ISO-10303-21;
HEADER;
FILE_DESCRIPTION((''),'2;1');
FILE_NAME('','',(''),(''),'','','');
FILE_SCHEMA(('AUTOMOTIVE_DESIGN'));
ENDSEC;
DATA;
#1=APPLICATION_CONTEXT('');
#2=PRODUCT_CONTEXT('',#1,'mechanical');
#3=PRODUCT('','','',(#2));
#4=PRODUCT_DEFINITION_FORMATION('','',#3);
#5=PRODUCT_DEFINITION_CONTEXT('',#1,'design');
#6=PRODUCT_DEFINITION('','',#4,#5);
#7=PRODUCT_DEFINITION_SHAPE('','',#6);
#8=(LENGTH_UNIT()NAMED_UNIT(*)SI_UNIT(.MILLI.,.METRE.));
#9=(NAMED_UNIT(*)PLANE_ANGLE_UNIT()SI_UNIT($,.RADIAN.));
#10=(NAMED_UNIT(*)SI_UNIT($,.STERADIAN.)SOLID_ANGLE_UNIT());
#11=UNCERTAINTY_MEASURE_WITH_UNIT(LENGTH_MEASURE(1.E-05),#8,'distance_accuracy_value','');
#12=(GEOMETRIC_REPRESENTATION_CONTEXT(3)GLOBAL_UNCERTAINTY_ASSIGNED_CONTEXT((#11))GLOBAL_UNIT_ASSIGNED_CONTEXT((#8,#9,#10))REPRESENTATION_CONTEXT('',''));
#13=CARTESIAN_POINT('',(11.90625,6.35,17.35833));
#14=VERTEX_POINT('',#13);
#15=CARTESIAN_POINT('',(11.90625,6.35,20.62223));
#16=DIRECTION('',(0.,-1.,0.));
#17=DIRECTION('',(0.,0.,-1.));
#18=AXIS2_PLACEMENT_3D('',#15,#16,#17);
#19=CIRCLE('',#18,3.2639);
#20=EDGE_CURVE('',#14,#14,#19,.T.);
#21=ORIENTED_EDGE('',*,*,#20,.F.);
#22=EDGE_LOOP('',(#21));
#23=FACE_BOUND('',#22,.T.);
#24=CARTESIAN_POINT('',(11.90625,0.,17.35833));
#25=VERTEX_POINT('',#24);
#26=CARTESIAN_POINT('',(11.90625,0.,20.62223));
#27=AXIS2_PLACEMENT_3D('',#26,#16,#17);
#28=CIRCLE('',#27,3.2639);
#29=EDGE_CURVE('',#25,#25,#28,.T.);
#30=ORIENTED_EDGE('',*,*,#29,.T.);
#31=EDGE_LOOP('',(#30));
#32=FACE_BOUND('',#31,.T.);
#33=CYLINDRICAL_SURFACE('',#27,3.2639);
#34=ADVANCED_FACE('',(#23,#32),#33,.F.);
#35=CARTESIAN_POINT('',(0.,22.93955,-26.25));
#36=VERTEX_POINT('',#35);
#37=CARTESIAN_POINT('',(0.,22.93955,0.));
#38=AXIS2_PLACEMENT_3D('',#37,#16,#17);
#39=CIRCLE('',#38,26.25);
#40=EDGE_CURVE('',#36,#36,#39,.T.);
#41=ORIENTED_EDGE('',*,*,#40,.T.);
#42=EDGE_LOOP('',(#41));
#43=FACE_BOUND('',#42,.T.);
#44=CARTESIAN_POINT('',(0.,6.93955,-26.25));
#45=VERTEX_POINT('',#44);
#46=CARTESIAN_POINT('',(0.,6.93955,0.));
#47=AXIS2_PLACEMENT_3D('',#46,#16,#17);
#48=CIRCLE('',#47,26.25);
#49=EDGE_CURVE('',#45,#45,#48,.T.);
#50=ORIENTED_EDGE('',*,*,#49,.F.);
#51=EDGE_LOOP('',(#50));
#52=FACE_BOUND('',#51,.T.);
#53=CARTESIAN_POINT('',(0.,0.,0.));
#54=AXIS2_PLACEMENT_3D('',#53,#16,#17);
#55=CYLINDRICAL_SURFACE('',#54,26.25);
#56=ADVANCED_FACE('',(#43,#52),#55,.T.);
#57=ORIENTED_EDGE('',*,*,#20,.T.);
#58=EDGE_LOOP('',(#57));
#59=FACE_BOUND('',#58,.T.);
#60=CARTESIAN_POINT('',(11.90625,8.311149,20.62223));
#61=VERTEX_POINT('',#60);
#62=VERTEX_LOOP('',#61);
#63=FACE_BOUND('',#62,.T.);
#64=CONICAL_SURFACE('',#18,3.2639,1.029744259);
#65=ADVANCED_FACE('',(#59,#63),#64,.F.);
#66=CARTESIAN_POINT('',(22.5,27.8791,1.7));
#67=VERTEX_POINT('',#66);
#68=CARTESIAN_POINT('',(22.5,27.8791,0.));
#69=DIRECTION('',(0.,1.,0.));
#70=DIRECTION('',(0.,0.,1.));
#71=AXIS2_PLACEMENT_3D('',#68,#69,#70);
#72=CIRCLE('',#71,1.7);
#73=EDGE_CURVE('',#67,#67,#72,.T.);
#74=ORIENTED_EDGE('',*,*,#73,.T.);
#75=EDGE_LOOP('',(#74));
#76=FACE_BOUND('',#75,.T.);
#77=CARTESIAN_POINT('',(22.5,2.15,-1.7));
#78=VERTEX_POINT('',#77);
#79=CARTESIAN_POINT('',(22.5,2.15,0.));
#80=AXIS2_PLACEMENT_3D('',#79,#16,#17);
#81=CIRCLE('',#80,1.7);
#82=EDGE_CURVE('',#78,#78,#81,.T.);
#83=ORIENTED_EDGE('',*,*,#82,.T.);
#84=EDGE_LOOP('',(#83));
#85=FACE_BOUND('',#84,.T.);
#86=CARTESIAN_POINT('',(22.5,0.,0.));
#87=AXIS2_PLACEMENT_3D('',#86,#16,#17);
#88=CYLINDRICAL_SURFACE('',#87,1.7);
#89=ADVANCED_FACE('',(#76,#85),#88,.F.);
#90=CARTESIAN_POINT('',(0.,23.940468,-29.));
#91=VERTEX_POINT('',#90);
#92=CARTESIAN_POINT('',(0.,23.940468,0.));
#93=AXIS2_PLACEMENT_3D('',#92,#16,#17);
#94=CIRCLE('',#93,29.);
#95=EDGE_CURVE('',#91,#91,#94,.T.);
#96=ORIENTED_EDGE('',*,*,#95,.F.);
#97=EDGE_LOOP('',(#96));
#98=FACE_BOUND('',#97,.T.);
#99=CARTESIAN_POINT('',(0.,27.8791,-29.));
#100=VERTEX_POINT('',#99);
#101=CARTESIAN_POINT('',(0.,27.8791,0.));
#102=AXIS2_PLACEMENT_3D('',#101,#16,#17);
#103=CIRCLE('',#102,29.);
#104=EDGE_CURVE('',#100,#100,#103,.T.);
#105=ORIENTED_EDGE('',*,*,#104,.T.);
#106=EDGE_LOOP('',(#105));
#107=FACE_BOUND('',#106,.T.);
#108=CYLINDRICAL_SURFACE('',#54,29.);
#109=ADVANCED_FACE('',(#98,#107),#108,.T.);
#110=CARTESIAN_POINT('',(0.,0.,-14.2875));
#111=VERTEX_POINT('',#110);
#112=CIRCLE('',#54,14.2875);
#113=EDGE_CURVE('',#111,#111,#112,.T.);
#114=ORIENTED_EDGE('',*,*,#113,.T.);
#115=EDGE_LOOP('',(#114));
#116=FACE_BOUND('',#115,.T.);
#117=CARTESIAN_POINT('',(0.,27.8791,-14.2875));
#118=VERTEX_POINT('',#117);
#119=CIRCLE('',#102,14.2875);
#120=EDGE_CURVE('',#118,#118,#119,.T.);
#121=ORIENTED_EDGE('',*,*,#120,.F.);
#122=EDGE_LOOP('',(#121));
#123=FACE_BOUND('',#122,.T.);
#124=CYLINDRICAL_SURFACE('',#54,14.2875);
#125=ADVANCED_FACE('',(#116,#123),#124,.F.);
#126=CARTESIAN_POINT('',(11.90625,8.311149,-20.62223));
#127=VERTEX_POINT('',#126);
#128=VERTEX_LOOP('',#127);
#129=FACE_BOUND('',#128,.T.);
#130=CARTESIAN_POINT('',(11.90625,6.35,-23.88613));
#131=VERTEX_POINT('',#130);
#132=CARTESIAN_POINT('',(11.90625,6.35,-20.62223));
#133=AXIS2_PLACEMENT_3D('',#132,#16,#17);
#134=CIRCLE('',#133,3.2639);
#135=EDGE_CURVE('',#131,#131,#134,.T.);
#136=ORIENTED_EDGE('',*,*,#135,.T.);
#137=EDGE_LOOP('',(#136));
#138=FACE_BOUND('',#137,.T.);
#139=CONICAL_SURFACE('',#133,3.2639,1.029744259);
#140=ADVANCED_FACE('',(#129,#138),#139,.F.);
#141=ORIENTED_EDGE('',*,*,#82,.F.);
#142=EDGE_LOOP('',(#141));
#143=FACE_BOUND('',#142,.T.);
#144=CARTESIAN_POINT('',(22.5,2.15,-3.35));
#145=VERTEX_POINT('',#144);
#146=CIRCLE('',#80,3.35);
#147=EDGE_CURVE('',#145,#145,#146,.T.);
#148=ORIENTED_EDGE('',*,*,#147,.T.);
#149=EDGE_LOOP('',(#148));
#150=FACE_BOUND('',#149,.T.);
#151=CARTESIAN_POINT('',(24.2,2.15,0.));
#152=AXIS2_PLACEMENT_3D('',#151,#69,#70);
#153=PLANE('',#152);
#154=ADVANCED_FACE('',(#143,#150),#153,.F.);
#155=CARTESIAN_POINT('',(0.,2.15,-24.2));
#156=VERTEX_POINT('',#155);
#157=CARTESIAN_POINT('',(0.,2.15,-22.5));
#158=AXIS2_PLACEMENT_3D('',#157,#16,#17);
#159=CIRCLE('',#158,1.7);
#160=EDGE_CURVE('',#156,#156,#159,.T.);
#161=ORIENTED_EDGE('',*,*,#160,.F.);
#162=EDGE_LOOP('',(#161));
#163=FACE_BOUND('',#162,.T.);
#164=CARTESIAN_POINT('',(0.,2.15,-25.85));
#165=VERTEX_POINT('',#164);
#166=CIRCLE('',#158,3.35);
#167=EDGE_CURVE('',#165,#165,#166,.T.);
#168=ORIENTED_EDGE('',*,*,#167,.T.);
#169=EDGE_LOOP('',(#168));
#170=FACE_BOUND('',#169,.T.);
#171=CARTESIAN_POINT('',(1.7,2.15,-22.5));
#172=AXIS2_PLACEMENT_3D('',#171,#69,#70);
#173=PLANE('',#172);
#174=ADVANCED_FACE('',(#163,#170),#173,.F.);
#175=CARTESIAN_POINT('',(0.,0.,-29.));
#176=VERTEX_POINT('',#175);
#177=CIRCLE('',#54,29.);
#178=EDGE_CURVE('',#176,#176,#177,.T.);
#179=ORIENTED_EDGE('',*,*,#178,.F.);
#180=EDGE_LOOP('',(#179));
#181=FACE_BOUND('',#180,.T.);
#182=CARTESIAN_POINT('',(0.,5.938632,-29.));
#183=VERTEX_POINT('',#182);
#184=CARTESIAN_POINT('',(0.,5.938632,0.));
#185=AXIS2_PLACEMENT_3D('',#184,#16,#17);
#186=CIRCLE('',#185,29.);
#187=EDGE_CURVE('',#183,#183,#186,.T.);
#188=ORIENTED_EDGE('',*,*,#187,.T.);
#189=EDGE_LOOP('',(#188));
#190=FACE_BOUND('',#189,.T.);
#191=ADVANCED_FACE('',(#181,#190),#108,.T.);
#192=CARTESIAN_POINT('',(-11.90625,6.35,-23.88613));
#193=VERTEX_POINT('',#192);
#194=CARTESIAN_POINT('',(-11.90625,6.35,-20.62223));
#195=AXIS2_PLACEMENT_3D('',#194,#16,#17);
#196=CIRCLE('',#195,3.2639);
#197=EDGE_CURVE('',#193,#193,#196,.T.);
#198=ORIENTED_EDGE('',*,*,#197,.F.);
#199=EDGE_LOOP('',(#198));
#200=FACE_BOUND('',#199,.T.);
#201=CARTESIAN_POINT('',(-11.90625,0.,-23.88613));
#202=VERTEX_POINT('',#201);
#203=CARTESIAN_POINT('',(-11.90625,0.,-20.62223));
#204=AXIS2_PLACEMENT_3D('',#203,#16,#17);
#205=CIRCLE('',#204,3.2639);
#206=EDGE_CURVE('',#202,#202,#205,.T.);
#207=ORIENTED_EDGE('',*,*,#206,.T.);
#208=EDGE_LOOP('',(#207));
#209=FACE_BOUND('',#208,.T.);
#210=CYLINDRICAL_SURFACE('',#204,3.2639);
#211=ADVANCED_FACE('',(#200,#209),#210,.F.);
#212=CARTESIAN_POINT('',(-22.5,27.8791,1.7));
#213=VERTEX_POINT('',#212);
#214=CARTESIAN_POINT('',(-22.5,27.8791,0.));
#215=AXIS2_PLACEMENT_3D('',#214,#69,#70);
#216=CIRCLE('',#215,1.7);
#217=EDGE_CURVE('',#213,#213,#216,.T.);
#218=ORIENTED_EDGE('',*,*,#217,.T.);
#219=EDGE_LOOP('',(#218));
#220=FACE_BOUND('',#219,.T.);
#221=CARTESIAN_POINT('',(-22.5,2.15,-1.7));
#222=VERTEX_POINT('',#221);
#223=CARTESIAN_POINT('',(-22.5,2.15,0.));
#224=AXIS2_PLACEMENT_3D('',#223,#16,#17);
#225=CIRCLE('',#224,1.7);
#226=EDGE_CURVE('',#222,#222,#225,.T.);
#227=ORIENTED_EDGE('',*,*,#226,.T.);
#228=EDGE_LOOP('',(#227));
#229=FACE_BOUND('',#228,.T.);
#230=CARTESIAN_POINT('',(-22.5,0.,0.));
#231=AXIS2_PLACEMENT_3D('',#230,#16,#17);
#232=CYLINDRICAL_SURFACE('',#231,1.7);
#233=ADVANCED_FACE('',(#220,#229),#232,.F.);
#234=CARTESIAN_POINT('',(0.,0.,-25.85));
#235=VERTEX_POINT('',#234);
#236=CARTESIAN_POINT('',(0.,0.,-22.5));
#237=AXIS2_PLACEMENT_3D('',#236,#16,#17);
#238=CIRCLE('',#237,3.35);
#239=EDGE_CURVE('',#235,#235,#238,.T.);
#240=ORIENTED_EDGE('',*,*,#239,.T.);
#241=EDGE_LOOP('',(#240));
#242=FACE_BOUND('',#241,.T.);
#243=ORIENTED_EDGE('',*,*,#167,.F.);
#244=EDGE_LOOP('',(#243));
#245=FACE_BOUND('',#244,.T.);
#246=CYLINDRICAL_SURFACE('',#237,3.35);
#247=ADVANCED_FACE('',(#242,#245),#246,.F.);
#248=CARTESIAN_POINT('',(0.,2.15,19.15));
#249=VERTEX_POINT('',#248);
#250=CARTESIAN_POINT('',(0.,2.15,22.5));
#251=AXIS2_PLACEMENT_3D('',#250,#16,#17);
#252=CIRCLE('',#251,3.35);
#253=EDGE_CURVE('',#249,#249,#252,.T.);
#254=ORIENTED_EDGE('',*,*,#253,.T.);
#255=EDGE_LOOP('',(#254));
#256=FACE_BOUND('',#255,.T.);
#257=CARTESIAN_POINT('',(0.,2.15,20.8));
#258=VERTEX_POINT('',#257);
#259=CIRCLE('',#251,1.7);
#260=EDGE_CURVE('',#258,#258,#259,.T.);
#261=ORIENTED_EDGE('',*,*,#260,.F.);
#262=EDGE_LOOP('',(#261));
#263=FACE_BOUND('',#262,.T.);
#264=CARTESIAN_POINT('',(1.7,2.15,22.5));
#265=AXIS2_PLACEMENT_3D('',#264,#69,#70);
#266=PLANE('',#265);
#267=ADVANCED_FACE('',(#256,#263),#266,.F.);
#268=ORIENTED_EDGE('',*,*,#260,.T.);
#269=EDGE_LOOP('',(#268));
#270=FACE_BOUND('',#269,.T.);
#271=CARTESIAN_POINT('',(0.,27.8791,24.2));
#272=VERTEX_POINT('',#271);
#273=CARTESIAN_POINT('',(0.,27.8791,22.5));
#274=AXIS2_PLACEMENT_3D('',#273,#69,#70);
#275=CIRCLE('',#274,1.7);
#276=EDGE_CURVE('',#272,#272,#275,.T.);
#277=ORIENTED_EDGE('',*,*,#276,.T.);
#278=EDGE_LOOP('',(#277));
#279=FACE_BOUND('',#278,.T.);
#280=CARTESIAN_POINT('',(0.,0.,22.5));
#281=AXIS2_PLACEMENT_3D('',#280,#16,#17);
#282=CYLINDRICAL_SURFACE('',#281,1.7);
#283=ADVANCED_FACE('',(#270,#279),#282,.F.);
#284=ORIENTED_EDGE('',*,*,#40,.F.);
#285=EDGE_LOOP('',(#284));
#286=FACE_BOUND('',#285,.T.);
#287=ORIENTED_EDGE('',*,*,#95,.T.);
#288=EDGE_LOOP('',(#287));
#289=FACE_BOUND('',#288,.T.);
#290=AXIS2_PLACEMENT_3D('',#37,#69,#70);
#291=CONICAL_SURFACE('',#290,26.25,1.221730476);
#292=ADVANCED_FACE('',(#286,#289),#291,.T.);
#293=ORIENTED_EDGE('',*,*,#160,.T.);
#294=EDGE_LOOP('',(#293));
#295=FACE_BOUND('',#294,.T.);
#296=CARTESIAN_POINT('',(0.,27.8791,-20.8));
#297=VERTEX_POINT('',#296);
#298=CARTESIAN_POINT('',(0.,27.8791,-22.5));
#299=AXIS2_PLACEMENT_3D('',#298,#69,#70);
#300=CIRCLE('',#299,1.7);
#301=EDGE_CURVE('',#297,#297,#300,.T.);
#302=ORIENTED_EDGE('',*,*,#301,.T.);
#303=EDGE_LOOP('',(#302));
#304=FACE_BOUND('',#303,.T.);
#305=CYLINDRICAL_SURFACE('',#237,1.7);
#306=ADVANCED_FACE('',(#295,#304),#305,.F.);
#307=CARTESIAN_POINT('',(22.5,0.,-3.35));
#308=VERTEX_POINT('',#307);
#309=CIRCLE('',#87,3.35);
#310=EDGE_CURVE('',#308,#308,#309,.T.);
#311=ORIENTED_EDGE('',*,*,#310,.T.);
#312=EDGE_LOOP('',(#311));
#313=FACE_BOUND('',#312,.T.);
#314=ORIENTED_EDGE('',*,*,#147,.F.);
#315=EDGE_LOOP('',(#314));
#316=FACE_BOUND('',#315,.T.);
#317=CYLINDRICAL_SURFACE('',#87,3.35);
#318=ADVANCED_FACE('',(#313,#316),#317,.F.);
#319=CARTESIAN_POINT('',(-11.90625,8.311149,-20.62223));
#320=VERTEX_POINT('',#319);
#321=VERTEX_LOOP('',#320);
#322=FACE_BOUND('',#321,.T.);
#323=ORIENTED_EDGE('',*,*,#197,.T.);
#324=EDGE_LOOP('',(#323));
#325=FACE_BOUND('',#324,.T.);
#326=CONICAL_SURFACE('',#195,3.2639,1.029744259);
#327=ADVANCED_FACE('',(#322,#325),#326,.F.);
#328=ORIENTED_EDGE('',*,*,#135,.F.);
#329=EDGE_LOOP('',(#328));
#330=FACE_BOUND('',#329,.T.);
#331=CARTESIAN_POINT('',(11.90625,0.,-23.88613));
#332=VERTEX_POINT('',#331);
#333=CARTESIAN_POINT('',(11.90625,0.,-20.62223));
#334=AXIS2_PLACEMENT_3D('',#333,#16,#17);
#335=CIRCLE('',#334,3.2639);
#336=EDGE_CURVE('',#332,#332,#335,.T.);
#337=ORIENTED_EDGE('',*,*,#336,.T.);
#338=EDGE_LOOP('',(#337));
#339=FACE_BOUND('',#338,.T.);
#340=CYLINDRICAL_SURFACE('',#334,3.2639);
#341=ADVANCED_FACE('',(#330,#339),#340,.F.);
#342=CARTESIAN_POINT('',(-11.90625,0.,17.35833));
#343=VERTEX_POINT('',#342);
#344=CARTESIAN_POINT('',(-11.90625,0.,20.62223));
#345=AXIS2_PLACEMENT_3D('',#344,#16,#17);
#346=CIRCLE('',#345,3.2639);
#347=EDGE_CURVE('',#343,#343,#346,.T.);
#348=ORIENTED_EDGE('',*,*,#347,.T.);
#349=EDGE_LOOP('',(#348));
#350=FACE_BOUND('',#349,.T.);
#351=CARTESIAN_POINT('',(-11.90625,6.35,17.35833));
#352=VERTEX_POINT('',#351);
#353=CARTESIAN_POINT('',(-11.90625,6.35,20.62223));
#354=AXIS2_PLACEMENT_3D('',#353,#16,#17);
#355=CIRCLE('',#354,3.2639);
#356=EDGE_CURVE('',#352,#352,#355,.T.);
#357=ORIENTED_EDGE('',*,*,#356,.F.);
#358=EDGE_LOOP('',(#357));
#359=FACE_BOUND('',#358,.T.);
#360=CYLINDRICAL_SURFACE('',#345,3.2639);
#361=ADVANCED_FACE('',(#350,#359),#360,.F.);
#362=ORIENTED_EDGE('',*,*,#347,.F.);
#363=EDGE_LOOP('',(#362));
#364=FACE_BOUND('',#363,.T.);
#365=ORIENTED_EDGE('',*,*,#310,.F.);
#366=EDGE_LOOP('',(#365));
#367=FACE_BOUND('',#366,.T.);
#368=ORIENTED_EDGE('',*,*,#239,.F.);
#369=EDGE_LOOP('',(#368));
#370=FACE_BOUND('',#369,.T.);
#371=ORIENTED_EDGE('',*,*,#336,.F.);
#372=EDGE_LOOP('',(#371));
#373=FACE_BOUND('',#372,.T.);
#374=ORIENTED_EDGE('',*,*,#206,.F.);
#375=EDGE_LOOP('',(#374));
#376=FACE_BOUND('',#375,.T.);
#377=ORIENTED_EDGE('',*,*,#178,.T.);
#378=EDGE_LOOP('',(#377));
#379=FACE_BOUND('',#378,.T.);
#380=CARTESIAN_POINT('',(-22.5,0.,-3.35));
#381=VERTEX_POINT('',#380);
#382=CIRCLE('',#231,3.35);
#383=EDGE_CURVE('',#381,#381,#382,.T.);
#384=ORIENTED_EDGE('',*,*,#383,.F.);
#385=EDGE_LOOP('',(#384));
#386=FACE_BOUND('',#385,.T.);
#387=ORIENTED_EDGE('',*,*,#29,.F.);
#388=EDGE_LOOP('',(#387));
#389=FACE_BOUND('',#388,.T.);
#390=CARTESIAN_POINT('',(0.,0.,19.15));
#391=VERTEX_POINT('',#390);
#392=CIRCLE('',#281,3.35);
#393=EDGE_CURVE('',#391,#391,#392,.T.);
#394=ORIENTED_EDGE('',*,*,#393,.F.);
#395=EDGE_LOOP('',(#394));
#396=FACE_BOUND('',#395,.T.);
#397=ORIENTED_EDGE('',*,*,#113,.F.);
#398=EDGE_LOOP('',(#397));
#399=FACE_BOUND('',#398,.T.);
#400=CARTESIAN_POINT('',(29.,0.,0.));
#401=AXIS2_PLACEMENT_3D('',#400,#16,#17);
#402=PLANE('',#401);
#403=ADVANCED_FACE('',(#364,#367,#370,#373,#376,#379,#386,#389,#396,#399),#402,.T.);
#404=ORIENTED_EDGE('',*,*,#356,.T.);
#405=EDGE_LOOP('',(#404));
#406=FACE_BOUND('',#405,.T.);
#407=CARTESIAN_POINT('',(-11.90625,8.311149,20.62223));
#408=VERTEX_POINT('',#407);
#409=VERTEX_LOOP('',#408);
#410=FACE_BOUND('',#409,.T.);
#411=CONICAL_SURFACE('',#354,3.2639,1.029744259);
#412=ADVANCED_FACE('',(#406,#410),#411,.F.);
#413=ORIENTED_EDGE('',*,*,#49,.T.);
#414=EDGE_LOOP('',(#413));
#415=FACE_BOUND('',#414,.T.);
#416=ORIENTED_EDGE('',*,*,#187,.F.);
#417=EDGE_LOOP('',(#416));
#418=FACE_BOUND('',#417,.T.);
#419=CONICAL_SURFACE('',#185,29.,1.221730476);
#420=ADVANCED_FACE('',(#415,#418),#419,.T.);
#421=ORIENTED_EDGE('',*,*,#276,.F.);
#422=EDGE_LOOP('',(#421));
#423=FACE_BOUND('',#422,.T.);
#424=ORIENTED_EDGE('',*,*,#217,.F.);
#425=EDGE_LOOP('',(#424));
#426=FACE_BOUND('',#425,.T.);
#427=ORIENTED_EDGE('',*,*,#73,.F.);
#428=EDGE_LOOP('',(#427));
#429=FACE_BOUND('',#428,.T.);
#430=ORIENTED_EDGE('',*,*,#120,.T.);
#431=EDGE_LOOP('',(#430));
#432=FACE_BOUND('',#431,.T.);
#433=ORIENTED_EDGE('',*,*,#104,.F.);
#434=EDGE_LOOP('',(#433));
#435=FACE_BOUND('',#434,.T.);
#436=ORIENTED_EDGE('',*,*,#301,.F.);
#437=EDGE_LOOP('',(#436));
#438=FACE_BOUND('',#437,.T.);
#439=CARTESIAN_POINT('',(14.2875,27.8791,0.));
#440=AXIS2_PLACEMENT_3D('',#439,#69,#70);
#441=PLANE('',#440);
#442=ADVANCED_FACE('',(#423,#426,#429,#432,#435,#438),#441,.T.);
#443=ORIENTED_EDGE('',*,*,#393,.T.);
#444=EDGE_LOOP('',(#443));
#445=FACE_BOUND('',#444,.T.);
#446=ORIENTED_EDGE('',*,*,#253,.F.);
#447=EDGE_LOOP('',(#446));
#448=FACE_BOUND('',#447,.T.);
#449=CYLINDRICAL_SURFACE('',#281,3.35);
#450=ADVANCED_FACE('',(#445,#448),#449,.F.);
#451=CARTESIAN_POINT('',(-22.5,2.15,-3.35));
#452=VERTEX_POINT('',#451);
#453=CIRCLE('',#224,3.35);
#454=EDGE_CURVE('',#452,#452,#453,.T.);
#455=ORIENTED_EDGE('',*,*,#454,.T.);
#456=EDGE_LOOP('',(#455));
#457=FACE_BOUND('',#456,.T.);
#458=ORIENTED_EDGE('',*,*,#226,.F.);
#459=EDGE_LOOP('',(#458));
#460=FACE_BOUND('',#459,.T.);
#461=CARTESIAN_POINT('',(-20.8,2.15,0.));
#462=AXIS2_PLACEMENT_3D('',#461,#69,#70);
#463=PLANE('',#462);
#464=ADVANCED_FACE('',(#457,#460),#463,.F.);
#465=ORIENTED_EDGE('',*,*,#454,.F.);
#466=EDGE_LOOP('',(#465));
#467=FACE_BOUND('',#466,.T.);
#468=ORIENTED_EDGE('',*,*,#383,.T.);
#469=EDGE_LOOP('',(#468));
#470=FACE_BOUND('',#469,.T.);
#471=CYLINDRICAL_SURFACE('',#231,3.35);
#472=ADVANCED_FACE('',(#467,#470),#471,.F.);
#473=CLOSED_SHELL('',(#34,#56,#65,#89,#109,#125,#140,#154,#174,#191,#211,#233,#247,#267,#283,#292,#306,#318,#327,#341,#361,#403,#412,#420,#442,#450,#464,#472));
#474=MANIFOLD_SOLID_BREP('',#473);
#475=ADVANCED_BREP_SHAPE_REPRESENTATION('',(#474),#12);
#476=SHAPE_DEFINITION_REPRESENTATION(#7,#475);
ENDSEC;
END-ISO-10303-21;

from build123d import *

# Parameters (mm, degrees)
CBORE_FOR_M3_SBHCS1_D           = 3.4
CBORE_FOR_M3_SBHCS1_CBORE_D     = 6.7
CBORE_FOR_M3_SBHCS1_CBORE_DEPTH = 2.15
F_0_257_DIAMETER_HOLE1_D        = 6.5278
F_0_257_DIAMETER_HOLE1_DEPTH    = 6.35
F_0_257_DIAMETER_HOLE1_TIP      = 1.961148974


with BuildPart() as part:
    # Sketch1 → Revolve1 (revolve)
    with BuildSketch(Plane.XY, mode=Mode.PRIVATE) as revolve1_sk:
        Polygon((14.2875, 27.8791), (29, 27.8791), (29, 23.940468144), (26.25, 22.93955), (26.25, 6.93955), (29, 5.938631856), (29, 0), (14.2875, 0), align=None)
    revolve(revolve1_sk.sketch.rotate(Axis((0, 0, 0), (0, 1, 0)), 90), axis=Axis((0, 0, 0), (0, 1, 0)))

    # CBORE for M3 SBHCS1 (through all)
    with Locations(Plane.XZ):
        with Locations((0, 22.5), (0, -22.5), (22.5, 0), (-22.5, 0)):
            CounterBoreHole(CBORE_FOR_M3_SBHCS1_D / 2, CBORE_FOR_M3_SBHCS1_CBORE_D / 2, CBORE_FOR_M3_SBHCS1_CBORE_DEPTH)

    # F (0.257) Diameter Hole1
    with Locations(Plane.XZ):
        with Locations((-11.90625, 20.622229928), (-11.90625, -20.622229928), (11.90625, -20.622229928), (11.90625, 20.622229928)):
            Hole(F_0_257_DIAMETER_HOLE1_D / 2, depth=F_0_257_DIAMETER_HOLE1_DEPTH)
            with Locations((0, 0, -(F_0_257_DIAMETER_HOLE1_DEPTH + F_0_257_DIAMETER_HOLE1_TIP / 2))):  # 118° drill point
                Cone(0, F_0_257_DIAMETER_HOLE1_D / 2, F_0_257_DIAMETER_HOLE1_TIP, mode=Mode.SUBTRACT)


solid = part.part
